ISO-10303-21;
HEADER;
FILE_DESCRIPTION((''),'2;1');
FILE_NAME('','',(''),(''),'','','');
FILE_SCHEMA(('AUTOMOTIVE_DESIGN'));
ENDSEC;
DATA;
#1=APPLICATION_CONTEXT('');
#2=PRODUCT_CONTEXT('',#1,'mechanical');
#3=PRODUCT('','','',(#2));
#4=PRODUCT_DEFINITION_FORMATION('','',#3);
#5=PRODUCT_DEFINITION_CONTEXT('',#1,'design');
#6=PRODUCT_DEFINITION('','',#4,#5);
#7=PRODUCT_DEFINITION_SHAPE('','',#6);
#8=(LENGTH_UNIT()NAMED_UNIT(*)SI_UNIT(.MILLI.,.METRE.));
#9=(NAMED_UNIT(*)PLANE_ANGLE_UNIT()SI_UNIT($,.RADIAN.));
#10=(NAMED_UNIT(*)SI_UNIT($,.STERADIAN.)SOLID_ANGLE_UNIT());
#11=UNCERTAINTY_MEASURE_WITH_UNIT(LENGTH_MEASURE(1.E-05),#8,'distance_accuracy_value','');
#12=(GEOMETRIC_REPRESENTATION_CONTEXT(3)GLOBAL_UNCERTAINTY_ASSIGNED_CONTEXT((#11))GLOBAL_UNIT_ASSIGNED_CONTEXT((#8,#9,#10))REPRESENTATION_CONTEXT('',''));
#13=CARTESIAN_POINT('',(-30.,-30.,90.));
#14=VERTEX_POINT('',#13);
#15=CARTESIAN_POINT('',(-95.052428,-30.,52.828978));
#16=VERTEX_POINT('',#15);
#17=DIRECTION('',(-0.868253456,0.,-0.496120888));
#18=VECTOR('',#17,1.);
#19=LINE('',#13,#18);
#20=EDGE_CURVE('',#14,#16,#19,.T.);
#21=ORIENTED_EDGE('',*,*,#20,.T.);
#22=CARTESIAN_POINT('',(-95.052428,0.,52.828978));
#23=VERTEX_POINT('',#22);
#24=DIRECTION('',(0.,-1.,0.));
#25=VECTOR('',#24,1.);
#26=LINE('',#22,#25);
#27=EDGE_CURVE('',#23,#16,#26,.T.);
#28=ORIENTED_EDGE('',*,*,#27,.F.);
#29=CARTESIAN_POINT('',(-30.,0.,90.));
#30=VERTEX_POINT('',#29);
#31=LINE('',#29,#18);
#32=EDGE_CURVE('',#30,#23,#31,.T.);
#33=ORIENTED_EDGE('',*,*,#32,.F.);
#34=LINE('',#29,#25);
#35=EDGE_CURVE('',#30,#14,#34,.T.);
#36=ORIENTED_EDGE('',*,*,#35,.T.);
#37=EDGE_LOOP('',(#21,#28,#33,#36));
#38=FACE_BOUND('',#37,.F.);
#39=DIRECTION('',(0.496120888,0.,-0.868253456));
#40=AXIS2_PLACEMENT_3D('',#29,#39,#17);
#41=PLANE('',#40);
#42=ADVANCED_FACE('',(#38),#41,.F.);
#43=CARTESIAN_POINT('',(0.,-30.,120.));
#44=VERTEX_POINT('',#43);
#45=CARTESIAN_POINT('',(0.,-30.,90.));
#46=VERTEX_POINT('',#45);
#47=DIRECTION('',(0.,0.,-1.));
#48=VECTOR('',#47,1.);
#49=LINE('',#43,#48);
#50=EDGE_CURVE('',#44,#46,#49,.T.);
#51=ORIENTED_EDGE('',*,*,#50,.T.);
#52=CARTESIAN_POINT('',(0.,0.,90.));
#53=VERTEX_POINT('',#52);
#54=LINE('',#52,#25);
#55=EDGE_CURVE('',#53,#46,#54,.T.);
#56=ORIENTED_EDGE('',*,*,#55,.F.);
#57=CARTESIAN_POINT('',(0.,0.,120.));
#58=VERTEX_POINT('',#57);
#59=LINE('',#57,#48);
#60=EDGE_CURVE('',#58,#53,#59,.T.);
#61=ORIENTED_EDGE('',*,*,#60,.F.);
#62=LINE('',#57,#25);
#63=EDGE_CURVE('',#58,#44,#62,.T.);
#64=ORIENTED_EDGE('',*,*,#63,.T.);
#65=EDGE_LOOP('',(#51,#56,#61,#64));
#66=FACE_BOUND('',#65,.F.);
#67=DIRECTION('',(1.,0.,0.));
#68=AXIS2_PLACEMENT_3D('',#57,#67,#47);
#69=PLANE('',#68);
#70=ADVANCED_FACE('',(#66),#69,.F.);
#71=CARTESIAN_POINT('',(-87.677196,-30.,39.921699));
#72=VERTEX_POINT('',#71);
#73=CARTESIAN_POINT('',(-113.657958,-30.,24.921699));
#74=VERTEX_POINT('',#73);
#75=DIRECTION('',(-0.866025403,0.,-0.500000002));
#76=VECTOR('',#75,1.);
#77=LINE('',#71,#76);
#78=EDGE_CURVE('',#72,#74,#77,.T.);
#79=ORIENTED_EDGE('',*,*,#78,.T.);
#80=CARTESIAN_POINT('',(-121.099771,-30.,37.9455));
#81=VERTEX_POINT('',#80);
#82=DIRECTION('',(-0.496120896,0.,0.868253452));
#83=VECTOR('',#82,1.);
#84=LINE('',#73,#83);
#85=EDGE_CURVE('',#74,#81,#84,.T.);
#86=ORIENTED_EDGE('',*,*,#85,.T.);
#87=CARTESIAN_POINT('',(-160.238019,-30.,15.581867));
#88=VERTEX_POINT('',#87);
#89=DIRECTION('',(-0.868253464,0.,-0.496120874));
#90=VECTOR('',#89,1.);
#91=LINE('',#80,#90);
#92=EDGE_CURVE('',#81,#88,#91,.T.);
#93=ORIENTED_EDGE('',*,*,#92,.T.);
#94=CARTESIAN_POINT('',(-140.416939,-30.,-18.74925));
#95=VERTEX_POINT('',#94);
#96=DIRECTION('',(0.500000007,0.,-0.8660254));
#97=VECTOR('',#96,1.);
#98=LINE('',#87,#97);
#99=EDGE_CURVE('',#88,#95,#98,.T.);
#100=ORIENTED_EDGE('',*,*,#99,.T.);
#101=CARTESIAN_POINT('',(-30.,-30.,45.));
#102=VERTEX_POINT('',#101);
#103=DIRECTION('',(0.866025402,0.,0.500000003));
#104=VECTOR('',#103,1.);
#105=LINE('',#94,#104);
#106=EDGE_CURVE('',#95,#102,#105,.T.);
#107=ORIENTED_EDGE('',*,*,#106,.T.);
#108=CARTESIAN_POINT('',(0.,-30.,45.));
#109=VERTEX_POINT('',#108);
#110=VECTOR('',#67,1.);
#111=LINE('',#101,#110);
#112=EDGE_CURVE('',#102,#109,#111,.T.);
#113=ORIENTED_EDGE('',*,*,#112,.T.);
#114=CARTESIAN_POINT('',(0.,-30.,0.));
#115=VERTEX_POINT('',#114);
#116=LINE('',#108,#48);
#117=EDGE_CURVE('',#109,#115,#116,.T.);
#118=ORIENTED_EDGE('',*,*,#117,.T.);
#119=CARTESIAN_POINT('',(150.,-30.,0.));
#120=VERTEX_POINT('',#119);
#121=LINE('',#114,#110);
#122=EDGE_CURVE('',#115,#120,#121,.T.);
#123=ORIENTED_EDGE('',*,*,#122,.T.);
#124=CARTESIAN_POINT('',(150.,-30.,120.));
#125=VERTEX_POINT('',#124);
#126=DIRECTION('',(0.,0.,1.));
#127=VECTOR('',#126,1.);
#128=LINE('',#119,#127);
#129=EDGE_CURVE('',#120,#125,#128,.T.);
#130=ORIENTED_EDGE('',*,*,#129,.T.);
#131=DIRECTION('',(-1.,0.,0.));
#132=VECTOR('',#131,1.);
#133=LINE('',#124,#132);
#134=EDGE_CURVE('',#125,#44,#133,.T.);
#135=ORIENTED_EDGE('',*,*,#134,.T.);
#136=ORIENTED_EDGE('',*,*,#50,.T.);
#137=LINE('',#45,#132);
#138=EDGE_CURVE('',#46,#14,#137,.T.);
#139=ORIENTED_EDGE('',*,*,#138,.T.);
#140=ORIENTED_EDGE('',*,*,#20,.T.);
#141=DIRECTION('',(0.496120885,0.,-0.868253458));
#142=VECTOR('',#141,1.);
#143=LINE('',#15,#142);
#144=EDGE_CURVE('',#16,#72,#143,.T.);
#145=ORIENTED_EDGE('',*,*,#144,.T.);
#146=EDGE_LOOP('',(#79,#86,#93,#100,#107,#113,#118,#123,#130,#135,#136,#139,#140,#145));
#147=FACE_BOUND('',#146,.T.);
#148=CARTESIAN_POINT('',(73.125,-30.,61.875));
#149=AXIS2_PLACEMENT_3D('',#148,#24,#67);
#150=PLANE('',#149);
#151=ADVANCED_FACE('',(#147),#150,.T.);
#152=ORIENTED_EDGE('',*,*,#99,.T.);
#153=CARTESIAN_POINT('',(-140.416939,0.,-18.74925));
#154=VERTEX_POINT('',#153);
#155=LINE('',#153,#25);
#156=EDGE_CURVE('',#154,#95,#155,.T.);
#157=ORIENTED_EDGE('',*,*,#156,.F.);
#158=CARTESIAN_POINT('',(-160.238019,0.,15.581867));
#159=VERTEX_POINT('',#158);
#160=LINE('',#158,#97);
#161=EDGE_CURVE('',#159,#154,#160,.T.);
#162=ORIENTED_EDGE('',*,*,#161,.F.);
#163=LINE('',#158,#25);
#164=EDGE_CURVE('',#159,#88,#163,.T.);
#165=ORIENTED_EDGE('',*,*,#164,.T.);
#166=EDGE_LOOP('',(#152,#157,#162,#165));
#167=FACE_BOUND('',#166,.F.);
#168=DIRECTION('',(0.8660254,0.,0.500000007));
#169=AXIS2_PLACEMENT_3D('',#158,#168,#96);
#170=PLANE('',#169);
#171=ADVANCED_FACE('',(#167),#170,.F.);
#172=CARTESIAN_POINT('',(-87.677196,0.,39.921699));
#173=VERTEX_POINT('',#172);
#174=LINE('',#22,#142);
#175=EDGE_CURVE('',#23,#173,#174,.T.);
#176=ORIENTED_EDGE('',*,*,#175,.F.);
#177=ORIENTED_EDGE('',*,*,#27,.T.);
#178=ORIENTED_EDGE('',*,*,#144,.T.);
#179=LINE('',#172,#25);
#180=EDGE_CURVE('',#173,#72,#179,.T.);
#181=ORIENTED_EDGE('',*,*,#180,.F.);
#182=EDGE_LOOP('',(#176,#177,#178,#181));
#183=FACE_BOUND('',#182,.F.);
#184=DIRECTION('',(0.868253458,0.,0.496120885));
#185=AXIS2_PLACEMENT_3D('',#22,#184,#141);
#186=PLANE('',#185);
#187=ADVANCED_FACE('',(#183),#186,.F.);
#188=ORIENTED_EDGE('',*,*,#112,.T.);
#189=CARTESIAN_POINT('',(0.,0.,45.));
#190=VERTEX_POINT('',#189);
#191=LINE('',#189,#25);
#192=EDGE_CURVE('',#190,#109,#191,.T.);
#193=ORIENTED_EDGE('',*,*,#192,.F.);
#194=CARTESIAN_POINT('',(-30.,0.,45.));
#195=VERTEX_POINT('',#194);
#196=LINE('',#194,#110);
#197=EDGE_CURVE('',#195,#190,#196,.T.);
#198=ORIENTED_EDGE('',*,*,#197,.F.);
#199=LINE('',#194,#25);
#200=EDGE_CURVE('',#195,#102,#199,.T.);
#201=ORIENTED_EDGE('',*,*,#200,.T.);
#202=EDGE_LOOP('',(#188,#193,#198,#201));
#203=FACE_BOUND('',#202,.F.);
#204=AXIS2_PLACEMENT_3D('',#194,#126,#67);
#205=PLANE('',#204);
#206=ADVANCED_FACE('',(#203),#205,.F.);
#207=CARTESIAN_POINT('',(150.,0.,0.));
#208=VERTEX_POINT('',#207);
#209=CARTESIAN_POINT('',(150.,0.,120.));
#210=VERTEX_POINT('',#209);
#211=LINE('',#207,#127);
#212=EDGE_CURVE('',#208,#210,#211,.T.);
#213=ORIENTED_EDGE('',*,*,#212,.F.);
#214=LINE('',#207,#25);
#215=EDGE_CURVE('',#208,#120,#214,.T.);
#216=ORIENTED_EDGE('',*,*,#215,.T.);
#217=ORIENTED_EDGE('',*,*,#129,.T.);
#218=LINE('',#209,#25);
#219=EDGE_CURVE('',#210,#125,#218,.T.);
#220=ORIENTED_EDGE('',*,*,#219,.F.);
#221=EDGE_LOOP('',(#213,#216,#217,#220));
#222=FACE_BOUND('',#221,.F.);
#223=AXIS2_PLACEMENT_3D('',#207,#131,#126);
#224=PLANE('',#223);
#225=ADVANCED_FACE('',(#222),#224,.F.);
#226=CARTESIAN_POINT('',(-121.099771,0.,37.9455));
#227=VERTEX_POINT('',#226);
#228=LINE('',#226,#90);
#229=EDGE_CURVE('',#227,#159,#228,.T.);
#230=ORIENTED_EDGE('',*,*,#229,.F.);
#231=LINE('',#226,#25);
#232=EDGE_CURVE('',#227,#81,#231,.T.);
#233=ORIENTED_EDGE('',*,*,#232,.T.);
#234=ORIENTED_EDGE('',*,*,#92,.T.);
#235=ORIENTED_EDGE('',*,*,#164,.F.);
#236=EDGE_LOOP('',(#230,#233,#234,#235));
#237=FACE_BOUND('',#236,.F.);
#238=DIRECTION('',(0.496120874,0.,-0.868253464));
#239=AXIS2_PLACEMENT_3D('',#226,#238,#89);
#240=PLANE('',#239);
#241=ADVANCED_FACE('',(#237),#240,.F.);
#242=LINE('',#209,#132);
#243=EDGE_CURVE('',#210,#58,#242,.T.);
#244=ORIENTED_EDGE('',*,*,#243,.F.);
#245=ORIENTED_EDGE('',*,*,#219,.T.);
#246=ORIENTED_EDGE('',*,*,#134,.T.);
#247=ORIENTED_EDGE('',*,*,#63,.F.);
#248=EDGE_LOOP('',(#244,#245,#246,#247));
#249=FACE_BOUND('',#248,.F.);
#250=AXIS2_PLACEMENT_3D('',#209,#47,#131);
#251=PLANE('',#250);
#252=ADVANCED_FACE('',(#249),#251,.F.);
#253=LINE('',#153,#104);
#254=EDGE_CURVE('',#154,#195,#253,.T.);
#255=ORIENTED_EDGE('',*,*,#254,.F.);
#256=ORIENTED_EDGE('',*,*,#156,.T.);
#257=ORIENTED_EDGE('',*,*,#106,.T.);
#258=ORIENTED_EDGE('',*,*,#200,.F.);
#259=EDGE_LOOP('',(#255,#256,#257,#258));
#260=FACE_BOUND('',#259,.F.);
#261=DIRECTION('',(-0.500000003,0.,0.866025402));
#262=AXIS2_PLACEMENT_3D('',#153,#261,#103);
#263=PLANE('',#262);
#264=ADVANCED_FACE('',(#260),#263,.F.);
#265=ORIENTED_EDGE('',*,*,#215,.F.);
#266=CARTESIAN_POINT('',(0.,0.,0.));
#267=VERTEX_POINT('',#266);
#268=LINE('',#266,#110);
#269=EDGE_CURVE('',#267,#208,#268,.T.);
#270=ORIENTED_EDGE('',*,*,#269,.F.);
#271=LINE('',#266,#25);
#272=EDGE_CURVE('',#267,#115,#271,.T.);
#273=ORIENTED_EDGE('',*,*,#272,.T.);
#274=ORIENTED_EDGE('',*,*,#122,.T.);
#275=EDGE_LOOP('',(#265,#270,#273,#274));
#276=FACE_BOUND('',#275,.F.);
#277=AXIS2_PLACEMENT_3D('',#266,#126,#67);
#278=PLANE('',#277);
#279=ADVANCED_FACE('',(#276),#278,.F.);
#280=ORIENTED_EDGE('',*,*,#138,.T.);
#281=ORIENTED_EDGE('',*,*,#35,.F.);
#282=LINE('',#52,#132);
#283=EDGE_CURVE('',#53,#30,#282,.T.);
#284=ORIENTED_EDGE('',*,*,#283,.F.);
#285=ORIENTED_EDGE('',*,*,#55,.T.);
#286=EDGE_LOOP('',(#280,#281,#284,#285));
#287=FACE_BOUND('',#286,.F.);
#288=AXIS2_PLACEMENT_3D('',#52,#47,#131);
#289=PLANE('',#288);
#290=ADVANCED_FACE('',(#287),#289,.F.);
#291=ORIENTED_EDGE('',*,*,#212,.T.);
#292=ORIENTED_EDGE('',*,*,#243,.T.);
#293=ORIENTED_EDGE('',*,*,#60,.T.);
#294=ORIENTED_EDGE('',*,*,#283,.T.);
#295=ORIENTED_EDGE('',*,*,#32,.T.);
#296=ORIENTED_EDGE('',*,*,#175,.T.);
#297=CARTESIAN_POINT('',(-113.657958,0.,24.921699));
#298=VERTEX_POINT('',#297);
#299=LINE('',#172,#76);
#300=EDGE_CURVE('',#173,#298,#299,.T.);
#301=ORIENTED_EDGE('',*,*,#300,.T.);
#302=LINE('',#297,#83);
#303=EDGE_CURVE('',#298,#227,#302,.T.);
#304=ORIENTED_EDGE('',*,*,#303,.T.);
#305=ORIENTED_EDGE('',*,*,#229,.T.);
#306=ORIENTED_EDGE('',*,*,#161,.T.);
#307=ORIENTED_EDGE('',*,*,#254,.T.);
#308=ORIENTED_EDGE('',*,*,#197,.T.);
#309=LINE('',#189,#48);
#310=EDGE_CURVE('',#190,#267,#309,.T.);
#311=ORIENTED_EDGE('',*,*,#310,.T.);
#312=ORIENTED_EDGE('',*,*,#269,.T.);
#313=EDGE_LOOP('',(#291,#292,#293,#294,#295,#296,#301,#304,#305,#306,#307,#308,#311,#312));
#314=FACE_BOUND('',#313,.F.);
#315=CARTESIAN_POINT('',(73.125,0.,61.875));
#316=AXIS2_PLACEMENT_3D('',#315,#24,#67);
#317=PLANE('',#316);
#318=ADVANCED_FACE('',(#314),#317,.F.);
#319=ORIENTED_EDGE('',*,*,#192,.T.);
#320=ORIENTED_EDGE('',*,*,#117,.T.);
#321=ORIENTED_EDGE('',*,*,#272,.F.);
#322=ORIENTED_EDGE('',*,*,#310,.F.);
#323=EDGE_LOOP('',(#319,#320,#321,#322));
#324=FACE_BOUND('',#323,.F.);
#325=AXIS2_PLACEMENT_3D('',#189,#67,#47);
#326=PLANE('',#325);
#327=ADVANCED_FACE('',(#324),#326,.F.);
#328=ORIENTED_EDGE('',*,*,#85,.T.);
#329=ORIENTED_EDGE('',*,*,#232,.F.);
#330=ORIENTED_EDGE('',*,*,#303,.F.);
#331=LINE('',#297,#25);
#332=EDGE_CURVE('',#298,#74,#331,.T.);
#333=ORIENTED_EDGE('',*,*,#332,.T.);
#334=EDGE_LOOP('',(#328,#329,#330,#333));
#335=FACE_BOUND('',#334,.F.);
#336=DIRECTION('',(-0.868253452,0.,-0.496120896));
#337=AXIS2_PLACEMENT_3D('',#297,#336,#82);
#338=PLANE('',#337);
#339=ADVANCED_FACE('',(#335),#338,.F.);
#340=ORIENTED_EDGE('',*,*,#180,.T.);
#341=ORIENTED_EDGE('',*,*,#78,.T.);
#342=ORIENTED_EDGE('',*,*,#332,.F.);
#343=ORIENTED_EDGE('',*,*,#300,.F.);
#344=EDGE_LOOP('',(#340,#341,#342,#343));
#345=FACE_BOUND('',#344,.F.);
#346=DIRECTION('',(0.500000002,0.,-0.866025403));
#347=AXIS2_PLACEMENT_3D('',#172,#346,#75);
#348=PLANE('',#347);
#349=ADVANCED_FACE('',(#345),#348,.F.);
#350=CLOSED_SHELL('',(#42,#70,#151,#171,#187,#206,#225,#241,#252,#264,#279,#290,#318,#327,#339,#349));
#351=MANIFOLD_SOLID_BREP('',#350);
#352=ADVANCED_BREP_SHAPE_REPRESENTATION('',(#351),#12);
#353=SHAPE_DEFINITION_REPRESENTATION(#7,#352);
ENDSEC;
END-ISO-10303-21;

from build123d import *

# Parameters (mm, degrees)
F1_DEPTH = 30


with BuildPart() as f1:
    # F0 (on Front) → F1 (new body)
    with BuildSketch(Plane.XZ):
        Polygon((0, 45), (0, 0), (150, 0), (150, 120), (0, 120), (0, 90), (90, 90), (90, 45), align=None)
        Polygon((-30, 45), (0, 45), (90, 45), (90, 90), (0, 90), (-30, 90), (-95.052428, 52.828978), (-87.677196, 39.921699), (-113.657958, 24.921699), (-121.099771, 37.9455), (-160.238019, 15.581867), (-140.416939, -18.74925), align=None)
    extrude(amount=F1_DEPTH)


solid = f1.part
